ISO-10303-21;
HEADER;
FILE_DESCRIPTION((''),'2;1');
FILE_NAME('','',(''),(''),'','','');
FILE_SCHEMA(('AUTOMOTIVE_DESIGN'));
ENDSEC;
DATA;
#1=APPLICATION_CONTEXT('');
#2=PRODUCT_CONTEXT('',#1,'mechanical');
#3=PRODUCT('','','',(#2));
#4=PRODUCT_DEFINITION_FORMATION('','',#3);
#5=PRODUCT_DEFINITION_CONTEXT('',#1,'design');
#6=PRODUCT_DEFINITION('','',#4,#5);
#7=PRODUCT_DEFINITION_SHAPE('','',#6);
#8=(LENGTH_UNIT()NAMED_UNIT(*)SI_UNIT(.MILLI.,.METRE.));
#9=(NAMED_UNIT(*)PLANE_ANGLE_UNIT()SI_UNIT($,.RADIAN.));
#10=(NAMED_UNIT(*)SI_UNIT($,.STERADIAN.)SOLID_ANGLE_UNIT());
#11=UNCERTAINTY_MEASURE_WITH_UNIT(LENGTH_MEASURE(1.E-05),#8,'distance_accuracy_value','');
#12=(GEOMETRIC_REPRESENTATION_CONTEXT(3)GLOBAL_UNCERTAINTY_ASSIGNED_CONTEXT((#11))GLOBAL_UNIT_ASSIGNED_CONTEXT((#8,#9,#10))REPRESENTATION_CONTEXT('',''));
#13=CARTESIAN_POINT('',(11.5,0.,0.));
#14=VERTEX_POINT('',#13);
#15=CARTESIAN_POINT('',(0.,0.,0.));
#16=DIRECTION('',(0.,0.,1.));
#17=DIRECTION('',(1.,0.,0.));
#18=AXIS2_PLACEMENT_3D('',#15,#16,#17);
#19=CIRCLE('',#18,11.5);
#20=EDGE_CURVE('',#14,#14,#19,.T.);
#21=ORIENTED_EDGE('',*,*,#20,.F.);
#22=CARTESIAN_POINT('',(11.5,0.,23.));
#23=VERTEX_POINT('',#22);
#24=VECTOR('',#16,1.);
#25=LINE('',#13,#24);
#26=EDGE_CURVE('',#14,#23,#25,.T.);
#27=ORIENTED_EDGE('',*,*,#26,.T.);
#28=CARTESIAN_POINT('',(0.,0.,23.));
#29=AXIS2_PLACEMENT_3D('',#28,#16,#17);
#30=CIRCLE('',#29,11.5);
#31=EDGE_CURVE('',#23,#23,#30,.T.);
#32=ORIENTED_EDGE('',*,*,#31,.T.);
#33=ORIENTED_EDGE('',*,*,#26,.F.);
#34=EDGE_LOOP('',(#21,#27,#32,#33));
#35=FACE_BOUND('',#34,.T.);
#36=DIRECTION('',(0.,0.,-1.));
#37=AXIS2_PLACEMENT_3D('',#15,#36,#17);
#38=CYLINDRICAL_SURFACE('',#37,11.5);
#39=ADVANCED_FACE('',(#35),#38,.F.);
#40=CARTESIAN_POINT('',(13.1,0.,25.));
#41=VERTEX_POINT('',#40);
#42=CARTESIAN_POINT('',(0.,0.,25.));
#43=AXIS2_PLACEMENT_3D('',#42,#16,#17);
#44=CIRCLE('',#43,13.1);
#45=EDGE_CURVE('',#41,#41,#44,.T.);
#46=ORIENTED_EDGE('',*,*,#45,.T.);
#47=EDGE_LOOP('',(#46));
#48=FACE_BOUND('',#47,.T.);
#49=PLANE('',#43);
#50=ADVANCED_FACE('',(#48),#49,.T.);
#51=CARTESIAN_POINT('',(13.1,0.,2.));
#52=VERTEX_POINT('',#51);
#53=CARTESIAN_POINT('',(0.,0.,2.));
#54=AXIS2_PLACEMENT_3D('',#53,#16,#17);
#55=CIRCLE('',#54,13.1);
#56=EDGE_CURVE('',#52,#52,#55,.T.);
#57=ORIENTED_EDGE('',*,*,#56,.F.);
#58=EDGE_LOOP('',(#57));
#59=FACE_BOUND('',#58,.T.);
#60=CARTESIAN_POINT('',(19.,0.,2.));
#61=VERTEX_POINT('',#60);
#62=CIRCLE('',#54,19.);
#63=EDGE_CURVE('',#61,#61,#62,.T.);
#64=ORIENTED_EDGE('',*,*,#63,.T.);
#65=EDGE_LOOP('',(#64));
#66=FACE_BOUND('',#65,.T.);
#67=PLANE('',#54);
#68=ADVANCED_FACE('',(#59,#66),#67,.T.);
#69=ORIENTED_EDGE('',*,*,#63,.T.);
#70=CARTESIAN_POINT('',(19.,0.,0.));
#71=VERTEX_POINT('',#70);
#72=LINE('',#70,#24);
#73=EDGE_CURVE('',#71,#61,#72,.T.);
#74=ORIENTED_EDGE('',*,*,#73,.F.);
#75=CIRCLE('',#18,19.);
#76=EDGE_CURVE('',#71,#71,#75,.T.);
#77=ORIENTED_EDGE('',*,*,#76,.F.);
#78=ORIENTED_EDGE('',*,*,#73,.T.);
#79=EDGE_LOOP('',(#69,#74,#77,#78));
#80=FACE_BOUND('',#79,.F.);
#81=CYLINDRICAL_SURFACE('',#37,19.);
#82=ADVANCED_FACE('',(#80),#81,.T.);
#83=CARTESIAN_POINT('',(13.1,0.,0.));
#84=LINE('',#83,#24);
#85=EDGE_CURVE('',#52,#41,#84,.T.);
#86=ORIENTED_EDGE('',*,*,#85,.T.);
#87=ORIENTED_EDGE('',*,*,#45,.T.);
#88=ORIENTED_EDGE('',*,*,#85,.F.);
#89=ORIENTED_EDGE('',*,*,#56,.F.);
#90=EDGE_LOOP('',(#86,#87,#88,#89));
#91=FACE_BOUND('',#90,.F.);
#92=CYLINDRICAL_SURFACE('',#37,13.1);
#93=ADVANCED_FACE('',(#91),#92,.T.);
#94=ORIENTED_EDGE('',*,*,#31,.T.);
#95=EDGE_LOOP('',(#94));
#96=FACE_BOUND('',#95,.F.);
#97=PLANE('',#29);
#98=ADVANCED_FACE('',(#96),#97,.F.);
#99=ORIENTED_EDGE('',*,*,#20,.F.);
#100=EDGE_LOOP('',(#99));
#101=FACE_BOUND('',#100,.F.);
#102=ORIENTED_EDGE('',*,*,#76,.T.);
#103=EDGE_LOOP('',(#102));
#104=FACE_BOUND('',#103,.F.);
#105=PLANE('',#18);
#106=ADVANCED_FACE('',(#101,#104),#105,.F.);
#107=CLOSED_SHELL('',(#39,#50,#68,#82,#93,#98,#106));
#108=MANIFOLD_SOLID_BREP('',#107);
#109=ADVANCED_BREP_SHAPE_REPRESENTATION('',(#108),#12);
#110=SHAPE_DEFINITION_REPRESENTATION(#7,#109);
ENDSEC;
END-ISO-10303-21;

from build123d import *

# Parameters (mm, degrees)
F0_R     = 13.1
F0_R_2   = 11.5
F1_DEPTH = 25
F0_R_3   = 19
F2_DEPTH = 2
F3_DEPTH = 23


with BuildPart() as f1:
    # F0 (on Top) → F1 (new body)
    with BuildSketch(Plane.XY):
        Circle(F0_R)
        Circle(F0_R_2, mode=Mode.SUBTRACT)
        Circle(F0_R_2)
    extrude(amount=F1_DEPTH)

    # F0 (on Top) → F2 (join)
    with BuildSketch(Plane.XY):
        Circle(F0_R_3)
        Circle(F0_R, mode=Mode.SUBTRACT)
    extrude(amount=F2_DEPTH)

    # F0 (on Top) → F3 (cut)
    with BuildSketch(Plane.XY):
        Circle(F0_R_2)
    extrude(amount=F3_DEPTH, mode=Mode.SUBTRACT)


solid = f1.part
